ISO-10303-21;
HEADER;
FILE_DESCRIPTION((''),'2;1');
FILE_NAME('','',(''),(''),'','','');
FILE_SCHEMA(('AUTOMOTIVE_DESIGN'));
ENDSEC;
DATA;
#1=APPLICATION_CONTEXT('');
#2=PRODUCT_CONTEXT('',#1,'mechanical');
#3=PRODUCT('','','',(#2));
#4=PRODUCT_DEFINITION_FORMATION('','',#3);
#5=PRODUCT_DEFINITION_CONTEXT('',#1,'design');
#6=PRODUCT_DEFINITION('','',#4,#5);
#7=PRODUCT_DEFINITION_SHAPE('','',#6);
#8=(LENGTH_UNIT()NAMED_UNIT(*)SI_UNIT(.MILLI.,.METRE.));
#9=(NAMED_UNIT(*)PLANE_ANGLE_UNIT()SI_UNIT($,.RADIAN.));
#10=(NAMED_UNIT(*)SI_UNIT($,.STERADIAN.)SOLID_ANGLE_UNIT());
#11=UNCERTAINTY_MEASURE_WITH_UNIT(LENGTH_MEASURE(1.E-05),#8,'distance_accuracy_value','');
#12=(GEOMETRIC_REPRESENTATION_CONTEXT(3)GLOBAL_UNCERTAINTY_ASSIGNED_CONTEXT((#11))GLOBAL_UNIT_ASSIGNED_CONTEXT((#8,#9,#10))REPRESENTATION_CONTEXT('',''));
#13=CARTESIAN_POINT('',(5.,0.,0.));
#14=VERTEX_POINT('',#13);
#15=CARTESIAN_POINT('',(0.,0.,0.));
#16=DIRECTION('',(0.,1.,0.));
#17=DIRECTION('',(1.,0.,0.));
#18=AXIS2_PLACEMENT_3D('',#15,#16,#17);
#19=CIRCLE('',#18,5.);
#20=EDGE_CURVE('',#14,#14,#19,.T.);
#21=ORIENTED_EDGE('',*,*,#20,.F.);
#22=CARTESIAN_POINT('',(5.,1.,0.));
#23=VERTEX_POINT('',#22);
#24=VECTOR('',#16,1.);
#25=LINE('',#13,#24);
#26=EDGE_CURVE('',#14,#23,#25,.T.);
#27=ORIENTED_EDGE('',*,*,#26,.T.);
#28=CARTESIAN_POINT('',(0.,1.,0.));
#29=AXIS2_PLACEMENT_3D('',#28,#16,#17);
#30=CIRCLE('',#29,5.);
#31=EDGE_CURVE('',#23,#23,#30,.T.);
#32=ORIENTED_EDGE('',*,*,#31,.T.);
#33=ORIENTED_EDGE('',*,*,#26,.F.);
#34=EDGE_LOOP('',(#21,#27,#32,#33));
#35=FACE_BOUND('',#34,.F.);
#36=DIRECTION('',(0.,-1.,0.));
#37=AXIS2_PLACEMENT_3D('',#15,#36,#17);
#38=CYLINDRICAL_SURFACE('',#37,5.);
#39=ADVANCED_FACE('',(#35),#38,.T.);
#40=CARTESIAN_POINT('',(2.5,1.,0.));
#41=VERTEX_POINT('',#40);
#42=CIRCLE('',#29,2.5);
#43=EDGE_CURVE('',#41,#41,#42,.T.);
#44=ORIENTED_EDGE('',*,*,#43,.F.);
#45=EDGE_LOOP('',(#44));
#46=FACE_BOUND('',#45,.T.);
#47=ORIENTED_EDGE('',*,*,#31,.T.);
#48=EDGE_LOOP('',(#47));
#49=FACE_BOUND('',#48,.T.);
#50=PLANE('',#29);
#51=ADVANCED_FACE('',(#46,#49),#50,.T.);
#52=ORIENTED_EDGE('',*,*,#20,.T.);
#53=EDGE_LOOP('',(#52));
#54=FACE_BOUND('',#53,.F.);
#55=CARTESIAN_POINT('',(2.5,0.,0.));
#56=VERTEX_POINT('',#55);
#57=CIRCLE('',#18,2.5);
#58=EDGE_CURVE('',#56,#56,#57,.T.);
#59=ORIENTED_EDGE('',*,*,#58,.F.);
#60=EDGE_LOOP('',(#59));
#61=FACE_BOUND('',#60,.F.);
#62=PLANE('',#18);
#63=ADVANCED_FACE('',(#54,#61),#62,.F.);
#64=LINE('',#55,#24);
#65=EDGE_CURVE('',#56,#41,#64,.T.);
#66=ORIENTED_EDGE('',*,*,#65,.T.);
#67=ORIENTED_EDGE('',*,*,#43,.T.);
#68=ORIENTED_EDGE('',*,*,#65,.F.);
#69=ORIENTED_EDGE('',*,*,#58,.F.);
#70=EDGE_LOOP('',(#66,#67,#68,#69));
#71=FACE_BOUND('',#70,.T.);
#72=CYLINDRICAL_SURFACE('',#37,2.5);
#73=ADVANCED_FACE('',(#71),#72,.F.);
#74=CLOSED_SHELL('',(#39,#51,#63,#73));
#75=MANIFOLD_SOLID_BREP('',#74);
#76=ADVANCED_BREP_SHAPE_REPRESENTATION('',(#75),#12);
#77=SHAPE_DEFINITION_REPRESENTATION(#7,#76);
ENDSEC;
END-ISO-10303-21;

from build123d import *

# Parameters (mm, degrees)
SKETCH1_R           = 5
SKETCH1_R_2         = 2.5
BOSS_EXTRUDE1_DEPTH = 1


with BuildPart() as part:
    # Sketch1 → Boss-Extrude1 (new body)
    with BuildSketch(Plane(origin=(0, 0, 0), x_dir=(1, 0, 0), z_dir=(0, 1, 0))):
        Circle(SKETCH1_R)
        Circle(SKETCH1_R_2, mode=Mode.SUBTRACT)
    extrude(amount=BOSS_EXTRUDE1_DEPTH)


solid = part.part
